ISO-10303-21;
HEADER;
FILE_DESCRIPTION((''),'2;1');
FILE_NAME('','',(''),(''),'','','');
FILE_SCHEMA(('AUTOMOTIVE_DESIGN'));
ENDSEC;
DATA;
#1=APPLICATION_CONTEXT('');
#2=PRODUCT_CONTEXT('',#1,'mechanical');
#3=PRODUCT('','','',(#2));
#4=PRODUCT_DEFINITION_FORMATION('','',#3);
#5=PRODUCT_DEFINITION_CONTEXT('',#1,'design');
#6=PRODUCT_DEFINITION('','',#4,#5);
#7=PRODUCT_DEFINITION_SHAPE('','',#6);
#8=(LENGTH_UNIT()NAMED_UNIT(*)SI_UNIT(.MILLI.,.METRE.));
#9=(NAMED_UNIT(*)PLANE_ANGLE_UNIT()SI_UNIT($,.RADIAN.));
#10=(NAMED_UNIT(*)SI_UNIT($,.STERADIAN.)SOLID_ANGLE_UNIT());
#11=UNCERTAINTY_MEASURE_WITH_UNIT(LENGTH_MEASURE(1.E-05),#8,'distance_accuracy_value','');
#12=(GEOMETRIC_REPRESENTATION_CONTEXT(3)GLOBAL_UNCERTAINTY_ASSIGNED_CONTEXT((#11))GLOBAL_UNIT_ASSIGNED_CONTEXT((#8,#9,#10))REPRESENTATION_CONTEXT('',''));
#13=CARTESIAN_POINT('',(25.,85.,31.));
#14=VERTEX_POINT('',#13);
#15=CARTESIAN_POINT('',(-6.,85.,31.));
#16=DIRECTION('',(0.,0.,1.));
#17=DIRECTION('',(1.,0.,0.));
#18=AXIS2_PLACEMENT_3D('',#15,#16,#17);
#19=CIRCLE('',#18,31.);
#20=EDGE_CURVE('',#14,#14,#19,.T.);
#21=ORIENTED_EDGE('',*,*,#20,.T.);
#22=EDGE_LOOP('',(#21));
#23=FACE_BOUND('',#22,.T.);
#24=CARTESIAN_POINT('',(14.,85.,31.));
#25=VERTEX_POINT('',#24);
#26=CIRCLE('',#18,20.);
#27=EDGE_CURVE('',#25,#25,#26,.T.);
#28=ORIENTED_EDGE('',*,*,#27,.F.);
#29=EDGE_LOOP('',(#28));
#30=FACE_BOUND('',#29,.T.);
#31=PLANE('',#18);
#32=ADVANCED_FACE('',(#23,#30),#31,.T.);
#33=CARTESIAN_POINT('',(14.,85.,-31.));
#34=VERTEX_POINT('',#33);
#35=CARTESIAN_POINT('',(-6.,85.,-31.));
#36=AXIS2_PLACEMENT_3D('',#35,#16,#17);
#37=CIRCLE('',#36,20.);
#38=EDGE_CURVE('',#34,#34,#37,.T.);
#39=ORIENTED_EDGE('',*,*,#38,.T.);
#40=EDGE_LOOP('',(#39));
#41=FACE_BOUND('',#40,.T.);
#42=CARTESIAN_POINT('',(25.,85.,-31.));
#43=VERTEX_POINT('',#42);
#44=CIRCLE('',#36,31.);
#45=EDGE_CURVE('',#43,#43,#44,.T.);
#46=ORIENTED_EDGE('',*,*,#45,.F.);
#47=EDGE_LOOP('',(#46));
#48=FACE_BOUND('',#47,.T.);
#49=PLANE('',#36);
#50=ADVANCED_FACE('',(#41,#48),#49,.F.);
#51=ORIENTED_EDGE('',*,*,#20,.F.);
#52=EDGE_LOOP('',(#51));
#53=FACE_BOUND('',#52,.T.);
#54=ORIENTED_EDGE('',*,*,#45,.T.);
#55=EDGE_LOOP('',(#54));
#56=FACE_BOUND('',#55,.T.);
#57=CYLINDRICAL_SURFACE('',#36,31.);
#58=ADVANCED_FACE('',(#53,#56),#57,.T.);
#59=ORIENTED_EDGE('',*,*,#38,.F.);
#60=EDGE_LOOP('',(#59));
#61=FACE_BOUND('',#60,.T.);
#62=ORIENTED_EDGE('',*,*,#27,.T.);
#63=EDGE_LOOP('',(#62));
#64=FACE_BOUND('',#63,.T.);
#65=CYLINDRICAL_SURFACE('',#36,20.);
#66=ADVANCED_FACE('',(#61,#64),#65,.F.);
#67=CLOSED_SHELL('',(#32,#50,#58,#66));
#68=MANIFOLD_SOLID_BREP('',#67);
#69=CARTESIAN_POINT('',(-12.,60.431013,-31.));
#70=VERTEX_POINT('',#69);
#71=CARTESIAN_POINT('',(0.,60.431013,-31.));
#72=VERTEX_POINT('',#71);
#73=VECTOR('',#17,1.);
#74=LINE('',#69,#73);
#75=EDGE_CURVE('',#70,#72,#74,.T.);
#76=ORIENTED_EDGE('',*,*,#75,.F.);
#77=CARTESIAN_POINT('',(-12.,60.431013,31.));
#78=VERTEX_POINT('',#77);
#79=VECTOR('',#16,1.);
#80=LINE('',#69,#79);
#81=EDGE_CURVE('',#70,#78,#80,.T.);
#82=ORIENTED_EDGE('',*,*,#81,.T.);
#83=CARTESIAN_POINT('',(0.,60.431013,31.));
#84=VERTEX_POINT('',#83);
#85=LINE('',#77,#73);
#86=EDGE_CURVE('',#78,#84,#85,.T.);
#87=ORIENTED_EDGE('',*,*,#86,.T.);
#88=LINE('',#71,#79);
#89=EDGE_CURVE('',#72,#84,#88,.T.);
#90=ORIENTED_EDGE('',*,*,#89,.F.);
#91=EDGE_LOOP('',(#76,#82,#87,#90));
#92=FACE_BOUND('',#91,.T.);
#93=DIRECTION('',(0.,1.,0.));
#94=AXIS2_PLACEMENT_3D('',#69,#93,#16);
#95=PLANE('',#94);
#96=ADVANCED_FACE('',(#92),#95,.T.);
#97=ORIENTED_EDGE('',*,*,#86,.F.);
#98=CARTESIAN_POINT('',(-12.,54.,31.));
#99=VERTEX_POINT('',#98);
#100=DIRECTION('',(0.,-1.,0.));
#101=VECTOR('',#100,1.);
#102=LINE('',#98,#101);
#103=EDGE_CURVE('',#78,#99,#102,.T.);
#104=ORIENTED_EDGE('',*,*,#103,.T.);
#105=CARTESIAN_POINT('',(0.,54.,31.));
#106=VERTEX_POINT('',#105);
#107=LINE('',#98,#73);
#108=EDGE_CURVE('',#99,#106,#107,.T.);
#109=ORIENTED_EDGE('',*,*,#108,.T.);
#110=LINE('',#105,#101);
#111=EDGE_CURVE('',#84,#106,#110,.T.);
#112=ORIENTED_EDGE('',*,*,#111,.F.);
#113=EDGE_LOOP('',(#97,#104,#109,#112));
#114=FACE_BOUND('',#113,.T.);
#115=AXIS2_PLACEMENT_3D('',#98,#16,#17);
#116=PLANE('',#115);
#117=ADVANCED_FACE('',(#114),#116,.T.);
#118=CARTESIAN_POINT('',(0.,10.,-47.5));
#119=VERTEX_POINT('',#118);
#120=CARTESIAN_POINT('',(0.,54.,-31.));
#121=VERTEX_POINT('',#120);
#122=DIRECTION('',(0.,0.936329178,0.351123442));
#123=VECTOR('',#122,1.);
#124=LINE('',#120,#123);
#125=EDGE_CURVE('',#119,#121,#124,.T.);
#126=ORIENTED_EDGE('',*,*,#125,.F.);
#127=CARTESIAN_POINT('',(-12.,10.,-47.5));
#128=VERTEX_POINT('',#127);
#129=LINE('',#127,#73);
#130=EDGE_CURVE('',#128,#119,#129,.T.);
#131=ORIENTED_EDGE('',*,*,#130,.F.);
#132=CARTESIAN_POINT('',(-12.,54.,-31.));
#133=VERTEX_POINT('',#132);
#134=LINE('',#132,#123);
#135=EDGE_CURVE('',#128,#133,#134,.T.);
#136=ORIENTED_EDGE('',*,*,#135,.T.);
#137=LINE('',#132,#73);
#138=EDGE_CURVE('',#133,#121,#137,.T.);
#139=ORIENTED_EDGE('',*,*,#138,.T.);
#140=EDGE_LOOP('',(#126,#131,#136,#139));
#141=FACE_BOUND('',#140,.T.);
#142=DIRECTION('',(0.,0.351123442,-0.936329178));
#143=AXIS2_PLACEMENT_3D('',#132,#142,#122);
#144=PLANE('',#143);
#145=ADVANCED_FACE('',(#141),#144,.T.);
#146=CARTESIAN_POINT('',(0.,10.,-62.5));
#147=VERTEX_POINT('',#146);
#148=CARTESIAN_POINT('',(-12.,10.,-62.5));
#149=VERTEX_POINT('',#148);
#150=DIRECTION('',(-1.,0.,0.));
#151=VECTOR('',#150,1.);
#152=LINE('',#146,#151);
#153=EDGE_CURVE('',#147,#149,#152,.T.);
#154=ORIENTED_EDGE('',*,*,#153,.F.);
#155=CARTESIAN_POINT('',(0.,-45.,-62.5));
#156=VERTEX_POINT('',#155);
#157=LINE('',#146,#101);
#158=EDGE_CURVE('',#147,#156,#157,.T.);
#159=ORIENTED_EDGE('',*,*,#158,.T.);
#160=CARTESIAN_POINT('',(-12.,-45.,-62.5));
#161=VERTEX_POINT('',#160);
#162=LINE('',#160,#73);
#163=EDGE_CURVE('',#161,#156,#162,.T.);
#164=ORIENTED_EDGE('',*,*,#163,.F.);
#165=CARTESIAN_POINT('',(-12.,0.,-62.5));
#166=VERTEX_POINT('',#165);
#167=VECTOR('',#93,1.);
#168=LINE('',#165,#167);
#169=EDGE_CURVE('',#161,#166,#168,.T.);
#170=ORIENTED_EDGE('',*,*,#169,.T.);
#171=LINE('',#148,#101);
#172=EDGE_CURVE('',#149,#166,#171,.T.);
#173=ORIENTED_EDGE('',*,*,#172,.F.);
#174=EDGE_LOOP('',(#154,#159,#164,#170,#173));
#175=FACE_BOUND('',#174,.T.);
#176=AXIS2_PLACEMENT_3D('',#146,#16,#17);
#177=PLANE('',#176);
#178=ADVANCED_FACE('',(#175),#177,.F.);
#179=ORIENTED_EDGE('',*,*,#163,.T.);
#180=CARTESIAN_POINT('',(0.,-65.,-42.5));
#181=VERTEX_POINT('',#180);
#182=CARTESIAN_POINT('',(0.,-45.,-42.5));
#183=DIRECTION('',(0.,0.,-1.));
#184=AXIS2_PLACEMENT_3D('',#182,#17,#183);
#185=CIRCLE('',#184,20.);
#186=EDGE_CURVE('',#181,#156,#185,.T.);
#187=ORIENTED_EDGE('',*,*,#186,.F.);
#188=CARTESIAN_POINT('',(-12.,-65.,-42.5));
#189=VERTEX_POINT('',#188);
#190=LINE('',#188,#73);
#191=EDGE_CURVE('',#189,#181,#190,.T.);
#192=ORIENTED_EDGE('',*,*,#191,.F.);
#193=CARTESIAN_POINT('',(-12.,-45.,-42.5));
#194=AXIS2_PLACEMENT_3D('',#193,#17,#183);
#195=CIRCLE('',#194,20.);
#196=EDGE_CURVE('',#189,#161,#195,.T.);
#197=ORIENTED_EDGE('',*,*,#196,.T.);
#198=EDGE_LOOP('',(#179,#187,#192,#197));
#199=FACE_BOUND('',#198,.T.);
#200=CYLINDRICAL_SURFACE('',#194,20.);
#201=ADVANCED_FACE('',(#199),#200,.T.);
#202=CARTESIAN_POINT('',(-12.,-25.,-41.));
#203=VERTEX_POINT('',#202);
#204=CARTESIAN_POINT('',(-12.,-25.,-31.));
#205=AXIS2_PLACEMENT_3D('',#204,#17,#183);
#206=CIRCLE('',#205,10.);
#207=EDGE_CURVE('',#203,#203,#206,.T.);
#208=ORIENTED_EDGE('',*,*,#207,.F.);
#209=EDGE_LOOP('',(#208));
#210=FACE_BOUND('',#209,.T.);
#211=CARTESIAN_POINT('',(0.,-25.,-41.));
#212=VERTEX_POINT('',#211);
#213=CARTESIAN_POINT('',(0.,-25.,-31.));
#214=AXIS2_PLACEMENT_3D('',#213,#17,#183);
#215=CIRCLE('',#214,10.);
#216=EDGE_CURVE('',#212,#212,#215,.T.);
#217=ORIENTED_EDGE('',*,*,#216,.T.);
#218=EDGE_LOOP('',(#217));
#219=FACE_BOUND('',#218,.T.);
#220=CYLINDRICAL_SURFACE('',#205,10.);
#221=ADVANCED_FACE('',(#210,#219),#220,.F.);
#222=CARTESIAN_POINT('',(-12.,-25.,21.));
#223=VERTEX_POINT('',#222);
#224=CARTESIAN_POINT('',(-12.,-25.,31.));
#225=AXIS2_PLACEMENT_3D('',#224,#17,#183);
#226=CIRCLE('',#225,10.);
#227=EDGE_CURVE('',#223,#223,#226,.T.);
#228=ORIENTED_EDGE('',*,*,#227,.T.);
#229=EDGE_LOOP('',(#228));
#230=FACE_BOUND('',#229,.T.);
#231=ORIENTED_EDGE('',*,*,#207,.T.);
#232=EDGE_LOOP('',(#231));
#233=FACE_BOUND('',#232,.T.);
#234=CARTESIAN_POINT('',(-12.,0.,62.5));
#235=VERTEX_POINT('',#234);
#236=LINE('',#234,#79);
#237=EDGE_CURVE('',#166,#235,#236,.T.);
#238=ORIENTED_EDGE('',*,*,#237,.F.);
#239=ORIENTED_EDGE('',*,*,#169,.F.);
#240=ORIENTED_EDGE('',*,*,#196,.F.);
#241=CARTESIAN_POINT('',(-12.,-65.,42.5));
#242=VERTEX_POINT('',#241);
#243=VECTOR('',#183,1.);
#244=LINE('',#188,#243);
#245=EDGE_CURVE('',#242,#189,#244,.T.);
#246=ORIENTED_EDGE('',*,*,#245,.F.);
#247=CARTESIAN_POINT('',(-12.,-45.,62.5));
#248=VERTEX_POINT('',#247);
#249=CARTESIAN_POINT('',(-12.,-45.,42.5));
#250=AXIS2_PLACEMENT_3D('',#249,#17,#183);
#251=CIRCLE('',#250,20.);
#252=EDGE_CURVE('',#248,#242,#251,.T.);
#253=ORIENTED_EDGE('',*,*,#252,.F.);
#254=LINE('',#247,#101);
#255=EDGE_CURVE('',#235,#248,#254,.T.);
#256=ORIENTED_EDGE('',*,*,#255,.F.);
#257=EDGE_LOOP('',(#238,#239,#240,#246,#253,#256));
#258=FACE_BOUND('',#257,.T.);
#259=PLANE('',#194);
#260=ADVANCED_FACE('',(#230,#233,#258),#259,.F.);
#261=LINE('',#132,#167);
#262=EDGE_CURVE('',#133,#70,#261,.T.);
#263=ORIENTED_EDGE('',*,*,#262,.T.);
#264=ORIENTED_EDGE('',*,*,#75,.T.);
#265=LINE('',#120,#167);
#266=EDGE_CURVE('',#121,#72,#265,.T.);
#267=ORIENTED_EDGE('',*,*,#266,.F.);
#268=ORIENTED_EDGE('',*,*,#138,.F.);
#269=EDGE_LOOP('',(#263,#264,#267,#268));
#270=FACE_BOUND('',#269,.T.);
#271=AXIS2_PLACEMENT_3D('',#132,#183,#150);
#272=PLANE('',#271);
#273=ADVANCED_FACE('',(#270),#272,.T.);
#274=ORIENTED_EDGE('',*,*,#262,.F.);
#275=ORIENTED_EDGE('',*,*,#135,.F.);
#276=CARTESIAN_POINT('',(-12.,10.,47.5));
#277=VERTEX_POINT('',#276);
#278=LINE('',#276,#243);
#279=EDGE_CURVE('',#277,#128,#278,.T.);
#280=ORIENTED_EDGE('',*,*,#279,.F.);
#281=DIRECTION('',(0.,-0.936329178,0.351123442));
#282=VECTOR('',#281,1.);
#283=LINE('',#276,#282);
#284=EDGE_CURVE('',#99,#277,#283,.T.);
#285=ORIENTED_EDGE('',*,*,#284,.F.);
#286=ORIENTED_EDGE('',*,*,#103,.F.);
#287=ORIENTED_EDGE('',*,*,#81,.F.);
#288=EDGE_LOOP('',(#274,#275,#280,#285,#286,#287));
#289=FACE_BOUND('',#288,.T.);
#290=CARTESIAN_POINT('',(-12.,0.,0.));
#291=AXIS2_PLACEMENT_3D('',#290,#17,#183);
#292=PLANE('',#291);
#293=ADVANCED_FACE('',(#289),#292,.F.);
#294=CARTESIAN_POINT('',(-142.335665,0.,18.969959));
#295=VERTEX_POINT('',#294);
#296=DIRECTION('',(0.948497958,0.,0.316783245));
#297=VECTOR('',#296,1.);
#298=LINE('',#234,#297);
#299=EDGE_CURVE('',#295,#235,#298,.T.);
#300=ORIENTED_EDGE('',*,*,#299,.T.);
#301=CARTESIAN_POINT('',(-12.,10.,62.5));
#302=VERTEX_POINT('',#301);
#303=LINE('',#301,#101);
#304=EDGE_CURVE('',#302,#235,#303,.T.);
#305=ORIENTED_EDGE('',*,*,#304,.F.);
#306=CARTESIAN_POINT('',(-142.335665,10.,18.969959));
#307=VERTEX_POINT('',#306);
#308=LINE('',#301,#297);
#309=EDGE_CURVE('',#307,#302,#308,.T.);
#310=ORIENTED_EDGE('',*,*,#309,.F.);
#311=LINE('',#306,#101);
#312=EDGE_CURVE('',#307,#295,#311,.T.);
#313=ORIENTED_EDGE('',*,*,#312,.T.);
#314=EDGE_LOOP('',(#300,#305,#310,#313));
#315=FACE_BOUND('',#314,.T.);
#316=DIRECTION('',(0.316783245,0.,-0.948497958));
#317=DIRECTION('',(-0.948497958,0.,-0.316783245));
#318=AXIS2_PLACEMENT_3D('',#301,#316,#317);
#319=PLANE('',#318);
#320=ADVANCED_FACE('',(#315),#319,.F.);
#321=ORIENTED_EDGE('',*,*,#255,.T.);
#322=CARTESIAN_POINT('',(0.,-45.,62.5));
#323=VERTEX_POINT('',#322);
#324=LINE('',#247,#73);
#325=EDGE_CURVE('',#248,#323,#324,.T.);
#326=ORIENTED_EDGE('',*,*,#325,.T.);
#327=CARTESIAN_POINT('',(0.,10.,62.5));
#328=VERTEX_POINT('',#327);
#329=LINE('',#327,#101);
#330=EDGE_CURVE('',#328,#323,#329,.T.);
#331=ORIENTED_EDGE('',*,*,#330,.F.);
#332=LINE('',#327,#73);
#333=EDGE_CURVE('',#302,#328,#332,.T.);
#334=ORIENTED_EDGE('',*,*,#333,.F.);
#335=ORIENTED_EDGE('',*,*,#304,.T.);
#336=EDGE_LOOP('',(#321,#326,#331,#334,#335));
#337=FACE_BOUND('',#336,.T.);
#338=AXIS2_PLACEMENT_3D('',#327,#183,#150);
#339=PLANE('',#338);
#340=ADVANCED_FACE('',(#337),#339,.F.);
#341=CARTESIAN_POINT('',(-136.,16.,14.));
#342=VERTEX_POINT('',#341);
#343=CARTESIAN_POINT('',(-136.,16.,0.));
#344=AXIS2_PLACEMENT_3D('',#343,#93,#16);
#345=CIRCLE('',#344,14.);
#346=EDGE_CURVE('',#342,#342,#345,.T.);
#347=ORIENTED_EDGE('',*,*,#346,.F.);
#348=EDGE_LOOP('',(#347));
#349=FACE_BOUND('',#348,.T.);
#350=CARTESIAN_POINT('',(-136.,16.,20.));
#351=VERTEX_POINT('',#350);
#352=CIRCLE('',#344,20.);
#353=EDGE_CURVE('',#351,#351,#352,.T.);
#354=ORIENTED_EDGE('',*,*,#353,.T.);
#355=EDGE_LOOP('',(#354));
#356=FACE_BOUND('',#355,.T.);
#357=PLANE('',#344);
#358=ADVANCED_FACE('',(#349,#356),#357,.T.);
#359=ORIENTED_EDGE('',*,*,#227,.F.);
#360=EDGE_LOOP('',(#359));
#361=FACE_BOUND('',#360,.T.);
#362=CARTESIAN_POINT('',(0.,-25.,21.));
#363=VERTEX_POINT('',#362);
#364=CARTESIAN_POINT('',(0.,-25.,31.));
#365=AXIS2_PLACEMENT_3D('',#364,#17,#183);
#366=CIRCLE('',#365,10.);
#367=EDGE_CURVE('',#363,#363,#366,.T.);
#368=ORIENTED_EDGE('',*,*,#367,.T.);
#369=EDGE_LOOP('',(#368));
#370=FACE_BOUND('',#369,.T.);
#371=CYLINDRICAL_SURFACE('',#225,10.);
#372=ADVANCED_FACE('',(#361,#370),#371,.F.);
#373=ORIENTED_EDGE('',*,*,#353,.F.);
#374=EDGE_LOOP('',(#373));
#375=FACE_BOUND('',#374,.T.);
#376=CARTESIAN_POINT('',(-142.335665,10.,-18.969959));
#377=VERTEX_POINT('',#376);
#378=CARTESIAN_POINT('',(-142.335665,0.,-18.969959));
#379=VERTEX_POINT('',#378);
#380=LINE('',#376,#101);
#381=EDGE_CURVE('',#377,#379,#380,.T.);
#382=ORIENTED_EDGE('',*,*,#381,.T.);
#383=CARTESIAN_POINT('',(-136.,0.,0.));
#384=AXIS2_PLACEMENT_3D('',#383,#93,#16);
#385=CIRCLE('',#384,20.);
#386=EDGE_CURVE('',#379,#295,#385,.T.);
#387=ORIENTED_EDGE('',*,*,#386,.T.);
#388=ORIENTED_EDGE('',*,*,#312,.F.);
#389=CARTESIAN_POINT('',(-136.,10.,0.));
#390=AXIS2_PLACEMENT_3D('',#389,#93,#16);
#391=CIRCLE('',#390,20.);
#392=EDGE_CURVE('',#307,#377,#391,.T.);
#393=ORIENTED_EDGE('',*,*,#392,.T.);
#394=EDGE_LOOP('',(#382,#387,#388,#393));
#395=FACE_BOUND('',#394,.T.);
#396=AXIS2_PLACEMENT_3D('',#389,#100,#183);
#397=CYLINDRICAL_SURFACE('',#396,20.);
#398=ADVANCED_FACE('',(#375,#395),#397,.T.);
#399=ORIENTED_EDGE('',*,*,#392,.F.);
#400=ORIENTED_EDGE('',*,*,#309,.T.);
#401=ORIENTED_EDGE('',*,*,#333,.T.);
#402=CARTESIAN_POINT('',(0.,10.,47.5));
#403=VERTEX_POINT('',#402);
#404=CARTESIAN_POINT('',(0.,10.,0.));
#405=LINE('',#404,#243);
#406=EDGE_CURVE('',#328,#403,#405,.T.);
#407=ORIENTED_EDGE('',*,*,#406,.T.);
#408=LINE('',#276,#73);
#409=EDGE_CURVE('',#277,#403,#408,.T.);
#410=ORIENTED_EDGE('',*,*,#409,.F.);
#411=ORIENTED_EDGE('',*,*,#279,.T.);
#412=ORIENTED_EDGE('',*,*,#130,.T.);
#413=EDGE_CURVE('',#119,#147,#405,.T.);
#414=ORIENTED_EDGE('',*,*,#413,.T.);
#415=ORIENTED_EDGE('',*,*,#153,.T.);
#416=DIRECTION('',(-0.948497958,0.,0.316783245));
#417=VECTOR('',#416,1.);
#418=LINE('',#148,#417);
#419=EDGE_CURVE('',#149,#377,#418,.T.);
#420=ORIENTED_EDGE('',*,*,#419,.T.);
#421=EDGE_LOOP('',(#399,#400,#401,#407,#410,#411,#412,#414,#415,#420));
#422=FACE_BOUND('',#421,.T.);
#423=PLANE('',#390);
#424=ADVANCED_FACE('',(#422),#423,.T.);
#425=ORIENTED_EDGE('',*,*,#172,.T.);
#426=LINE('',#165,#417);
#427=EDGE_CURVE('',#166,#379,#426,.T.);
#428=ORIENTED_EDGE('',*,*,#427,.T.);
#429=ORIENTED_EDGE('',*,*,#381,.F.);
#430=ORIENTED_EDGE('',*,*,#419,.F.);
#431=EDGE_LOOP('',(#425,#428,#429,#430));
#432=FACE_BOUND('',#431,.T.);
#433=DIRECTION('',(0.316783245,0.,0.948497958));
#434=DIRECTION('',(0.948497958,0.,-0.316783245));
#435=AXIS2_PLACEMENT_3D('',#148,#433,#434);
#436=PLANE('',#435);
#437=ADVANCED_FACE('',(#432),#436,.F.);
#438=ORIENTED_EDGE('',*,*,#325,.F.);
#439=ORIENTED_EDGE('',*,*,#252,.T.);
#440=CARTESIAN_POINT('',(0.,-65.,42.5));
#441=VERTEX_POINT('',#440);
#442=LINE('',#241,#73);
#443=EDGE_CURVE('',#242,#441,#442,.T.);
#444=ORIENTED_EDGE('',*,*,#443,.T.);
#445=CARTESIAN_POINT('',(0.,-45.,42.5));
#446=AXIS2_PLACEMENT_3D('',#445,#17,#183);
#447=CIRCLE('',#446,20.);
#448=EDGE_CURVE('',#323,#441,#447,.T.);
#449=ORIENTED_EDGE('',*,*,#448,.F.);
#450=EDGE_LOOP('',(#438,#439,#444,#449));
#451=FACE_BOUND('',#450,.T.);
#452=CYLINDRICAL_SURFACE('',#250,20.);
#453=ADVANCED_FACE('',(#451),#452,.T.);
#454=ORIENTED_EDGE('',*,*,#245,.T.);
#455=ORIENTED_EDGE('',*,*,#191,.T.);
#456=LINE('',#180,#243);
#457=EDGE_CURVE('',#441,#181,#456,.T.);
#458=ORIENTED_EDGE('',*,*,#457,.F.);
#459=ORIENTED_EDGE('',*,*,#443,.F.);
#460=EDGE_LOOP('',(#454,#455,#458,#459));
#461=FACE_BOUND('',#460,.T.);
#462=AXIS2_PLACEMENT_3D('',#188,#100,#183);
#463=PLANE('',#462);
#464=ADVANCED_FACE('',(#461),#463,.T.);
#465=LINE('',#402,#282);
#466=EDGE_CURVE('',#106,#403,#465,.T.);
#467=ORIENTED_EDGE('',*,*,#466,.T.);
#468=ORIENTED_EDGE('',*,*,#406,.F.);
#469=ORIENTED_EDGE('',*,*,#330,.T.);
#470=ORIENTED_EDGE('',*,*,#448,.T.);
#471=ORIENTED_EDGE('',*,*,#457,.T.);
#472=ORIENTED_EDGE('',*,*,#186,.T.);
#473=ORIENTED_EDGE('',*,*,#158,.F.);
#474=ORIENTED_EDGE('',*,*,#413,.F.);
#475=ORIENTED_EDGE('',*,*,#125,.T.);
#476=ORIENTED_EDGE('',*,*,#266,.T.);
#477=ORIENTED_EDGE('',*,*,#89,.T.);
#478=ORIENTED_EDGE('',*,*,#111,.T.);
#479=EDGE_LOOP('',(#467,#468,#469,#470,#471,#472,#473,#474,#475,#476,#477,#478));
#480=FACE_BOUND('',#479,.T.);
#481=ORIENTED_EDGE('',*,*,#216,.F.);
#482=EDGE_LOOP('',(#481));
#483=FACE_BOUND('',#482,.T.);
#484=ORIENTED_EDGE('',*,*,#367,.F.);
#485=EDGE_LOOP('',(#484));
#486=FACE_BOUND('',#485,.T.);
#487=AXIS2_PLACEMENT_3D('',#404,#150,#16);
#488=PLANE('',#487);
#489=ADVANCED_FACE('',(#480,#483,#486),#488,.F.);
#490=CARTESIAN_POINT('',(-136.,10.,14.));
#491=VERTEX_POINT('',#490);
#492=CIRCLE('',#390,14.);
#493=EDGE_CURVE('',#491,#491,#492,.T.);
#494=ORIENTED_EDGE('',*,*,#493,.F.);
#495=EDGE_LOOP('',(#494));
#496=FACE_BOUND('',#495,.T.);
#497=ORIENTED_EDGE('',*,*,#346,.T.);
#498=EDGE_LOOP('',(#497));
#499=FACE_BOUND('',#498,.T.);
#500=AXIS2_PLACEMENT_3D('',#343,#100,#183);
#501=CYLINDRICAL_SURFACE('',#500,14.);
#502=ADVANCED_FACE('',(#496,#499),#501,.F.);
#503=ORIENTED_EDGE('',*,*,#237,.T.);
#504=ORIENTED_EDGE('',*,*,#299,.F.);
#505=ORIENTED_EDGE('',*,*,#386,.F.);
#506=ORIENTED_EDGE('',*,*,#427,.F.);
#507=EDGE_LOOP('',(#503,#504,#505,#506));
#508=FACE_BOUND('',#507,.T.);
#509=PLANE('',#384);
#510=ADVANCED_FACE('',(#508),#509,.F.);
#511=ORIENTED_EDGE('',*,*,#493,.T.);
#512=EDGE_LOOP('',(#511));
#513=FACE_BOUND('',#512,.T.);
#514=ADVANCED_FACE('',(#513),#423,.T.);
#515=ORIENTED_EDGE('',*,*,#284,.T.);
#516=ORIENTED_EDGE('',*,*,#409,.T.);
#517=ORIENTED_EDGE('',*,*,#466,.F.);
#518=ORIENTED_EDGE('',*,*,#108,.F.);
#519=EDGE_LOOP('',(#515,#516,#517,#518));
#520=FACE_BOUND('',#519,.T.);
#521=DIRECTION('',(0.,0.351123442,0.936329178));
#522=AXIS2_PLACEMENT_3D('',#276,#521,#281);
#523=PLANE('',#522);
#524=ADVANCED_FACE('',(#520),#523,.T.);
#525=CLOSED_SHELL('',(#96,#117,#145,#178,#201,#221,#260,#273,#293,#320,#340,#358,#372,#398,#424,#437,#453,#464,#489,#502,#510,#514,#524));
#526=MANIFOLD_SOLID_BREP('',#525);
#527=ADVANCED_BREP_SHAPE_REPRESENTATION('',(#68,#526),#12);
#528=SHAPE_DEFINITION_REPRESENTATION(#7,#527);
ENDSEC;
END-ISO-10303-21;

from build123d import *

# Parameters (mm, degrees)
BOSS_EXTRUDE1_DEPTH      = 10
SKETCH3_R                = 20
SKETCH3_R_2              = 14
BOSS_EXTRUDE3_DEPTH      = 6
BOSS_EXTRUDE4_DEPTH      = 31
BOSS_EXTRUDE4_DEPTH_BACK = 31
SKETCH7_R                = 31
SKETCH7_R_2              = 20
BOSS_EXTRUDE5_DEPTH      = 12
BOSS_EXTRUDE6_DEPTH      = 12
SKETCH10_R               = 10
BOSS_EXTRUDE7_DEPTH      = 12
SKETCH10_4_R             = 10
CUT_EXTRUDE2_DEPTH       = 12


with BuildPart() as part:
    # Sketch2 → Boss-Extrude1 (new body)
    with BuildSketch(Plane(origin=(0, 0, 0), x_dir=(1, 0, 0), z_dir=(0, 1, 0))):
        with BuildLine():
            Line((0, 0), (0, 62.5))
            Line((0, 62.5), (-12, 62.5))
            Line((-12, 62.5), (-142.335664896, 18.969959154))
            ThreePointArc((-142.335664896, 18.969959154), (-156, 0), (-142.335664896, -18.969959154))
            Line((-142.335664896, -18.969959154), (-12, -62.5))
            Line((-12, -62.5), (0, -62.5))
            Line((0, -62.5), (0, 0))
        make_face()
    extrude(amount=BOSS_EXTRUDE1_DEPTH)

    # Sketch3 → Boss-Extrude3 (add)
    with BuildSketch(Plane(origin=(0, 10, 0), x_dir=(1, 0, 0), z_dir=(0, 1, 0))):
        with Locations((-136, 0)):
            Circle(SKETCH3_R)
        with Locations((-136, 0)):
            Circle(SKETCH3_R_2, mode=Mode.SUBTRACT)
    extrude(amount=BOSS_EXTRUDE3_DEPTH)

    # Sketch8 → Boss-Extrude5 (add)
    with BuildSketch(Plane(origin=(0, 0, 0), x_dir=(0, 0, -1), z_dir=(1, 0, 0))):
        Polygon((-47.5, 10), (-31, 54), (-31, 60.431012935), (31, 60.431012935), (31, 54), (47.5, 10), align=None)
    extrude(amount=-BOSS_EXTRUDE5_DEPTH)

    # Sketch9 → Boss-Extrude6 (add)
    with BuildSketch(Plane(origin=(0, 0, 0), x_dir=(0, 0, -1), z_dir=(1, 0, 0))):
        with BuildLine():
            Line((-62.5, 0), (62.5, 0))
            Line((62.5, 0), (62.5, -45))
            ThreePointArc((62.5, -45), (56.642135624, -59.142135624), (42.5, -65))
            Line((42.5, -65), (-42.5, -65))
            ThreePointArc((-42.5, -65), (-56.642135624, -59.142135624), (-62.5, -45))
            Line((-62.5, -45), (-62.5, 0))
        make_face()
    extrude(amount=-BOSS_EXTRUDE6_DEPTH)

    # Sketch10 → Boss-Extrude7 (add)
    with BuildSketch(Plane(origin=(0, 0, 0), x_dir=(0, 0, -1), z_dir=(1, 0, 0))):
        with Locations((-31, -25)):
            Circle(SKETCH10_R)
        with Locations((31, -25)):
            Circle(SKETCH10_R)
    extrude(amount=-BOSS_EXTRUDE7_DEPTH)

    # Sketch10<4> → Cut-Extrude2 (cut)
    with BuildSketch(Plane(origin=(0, 0, 0), x_dir=(0, 0, -1), z_dir=(1, 0, 0))):
        with Locations((-31, -25)):
            Circle(SKETCH10_4_R)
        with Locations((31, -25)):
            Circle(SKETCH10_4_R)
    extrude(amount=-CUT_EXTRUDE2_DEPTH, mode=Mode.SUBTRACT)


with BuildPart() as body_2:
    # Sketch7 → Boss-Extrude4 (new, two sides: drawn at the far end of the back side and taken through both)
    with BuildSketch(Plane.XY.offset(-BOSS_EXTRUDE4_DEPTH_BACK)):
        with Locations((-6, 85)):
            Circle(SKETCH7_R)
        with Locations((-6, 85)):
            Circle(SKETCH7_R_2, mode=Mode.SUBTRACT)
    extrude(amount=BOSS_EXTRUDE4_DEPTH + BOSS_EXTRUDE4_DEPTH_BACK)


solid = Compound([part.part, body_2.part])
